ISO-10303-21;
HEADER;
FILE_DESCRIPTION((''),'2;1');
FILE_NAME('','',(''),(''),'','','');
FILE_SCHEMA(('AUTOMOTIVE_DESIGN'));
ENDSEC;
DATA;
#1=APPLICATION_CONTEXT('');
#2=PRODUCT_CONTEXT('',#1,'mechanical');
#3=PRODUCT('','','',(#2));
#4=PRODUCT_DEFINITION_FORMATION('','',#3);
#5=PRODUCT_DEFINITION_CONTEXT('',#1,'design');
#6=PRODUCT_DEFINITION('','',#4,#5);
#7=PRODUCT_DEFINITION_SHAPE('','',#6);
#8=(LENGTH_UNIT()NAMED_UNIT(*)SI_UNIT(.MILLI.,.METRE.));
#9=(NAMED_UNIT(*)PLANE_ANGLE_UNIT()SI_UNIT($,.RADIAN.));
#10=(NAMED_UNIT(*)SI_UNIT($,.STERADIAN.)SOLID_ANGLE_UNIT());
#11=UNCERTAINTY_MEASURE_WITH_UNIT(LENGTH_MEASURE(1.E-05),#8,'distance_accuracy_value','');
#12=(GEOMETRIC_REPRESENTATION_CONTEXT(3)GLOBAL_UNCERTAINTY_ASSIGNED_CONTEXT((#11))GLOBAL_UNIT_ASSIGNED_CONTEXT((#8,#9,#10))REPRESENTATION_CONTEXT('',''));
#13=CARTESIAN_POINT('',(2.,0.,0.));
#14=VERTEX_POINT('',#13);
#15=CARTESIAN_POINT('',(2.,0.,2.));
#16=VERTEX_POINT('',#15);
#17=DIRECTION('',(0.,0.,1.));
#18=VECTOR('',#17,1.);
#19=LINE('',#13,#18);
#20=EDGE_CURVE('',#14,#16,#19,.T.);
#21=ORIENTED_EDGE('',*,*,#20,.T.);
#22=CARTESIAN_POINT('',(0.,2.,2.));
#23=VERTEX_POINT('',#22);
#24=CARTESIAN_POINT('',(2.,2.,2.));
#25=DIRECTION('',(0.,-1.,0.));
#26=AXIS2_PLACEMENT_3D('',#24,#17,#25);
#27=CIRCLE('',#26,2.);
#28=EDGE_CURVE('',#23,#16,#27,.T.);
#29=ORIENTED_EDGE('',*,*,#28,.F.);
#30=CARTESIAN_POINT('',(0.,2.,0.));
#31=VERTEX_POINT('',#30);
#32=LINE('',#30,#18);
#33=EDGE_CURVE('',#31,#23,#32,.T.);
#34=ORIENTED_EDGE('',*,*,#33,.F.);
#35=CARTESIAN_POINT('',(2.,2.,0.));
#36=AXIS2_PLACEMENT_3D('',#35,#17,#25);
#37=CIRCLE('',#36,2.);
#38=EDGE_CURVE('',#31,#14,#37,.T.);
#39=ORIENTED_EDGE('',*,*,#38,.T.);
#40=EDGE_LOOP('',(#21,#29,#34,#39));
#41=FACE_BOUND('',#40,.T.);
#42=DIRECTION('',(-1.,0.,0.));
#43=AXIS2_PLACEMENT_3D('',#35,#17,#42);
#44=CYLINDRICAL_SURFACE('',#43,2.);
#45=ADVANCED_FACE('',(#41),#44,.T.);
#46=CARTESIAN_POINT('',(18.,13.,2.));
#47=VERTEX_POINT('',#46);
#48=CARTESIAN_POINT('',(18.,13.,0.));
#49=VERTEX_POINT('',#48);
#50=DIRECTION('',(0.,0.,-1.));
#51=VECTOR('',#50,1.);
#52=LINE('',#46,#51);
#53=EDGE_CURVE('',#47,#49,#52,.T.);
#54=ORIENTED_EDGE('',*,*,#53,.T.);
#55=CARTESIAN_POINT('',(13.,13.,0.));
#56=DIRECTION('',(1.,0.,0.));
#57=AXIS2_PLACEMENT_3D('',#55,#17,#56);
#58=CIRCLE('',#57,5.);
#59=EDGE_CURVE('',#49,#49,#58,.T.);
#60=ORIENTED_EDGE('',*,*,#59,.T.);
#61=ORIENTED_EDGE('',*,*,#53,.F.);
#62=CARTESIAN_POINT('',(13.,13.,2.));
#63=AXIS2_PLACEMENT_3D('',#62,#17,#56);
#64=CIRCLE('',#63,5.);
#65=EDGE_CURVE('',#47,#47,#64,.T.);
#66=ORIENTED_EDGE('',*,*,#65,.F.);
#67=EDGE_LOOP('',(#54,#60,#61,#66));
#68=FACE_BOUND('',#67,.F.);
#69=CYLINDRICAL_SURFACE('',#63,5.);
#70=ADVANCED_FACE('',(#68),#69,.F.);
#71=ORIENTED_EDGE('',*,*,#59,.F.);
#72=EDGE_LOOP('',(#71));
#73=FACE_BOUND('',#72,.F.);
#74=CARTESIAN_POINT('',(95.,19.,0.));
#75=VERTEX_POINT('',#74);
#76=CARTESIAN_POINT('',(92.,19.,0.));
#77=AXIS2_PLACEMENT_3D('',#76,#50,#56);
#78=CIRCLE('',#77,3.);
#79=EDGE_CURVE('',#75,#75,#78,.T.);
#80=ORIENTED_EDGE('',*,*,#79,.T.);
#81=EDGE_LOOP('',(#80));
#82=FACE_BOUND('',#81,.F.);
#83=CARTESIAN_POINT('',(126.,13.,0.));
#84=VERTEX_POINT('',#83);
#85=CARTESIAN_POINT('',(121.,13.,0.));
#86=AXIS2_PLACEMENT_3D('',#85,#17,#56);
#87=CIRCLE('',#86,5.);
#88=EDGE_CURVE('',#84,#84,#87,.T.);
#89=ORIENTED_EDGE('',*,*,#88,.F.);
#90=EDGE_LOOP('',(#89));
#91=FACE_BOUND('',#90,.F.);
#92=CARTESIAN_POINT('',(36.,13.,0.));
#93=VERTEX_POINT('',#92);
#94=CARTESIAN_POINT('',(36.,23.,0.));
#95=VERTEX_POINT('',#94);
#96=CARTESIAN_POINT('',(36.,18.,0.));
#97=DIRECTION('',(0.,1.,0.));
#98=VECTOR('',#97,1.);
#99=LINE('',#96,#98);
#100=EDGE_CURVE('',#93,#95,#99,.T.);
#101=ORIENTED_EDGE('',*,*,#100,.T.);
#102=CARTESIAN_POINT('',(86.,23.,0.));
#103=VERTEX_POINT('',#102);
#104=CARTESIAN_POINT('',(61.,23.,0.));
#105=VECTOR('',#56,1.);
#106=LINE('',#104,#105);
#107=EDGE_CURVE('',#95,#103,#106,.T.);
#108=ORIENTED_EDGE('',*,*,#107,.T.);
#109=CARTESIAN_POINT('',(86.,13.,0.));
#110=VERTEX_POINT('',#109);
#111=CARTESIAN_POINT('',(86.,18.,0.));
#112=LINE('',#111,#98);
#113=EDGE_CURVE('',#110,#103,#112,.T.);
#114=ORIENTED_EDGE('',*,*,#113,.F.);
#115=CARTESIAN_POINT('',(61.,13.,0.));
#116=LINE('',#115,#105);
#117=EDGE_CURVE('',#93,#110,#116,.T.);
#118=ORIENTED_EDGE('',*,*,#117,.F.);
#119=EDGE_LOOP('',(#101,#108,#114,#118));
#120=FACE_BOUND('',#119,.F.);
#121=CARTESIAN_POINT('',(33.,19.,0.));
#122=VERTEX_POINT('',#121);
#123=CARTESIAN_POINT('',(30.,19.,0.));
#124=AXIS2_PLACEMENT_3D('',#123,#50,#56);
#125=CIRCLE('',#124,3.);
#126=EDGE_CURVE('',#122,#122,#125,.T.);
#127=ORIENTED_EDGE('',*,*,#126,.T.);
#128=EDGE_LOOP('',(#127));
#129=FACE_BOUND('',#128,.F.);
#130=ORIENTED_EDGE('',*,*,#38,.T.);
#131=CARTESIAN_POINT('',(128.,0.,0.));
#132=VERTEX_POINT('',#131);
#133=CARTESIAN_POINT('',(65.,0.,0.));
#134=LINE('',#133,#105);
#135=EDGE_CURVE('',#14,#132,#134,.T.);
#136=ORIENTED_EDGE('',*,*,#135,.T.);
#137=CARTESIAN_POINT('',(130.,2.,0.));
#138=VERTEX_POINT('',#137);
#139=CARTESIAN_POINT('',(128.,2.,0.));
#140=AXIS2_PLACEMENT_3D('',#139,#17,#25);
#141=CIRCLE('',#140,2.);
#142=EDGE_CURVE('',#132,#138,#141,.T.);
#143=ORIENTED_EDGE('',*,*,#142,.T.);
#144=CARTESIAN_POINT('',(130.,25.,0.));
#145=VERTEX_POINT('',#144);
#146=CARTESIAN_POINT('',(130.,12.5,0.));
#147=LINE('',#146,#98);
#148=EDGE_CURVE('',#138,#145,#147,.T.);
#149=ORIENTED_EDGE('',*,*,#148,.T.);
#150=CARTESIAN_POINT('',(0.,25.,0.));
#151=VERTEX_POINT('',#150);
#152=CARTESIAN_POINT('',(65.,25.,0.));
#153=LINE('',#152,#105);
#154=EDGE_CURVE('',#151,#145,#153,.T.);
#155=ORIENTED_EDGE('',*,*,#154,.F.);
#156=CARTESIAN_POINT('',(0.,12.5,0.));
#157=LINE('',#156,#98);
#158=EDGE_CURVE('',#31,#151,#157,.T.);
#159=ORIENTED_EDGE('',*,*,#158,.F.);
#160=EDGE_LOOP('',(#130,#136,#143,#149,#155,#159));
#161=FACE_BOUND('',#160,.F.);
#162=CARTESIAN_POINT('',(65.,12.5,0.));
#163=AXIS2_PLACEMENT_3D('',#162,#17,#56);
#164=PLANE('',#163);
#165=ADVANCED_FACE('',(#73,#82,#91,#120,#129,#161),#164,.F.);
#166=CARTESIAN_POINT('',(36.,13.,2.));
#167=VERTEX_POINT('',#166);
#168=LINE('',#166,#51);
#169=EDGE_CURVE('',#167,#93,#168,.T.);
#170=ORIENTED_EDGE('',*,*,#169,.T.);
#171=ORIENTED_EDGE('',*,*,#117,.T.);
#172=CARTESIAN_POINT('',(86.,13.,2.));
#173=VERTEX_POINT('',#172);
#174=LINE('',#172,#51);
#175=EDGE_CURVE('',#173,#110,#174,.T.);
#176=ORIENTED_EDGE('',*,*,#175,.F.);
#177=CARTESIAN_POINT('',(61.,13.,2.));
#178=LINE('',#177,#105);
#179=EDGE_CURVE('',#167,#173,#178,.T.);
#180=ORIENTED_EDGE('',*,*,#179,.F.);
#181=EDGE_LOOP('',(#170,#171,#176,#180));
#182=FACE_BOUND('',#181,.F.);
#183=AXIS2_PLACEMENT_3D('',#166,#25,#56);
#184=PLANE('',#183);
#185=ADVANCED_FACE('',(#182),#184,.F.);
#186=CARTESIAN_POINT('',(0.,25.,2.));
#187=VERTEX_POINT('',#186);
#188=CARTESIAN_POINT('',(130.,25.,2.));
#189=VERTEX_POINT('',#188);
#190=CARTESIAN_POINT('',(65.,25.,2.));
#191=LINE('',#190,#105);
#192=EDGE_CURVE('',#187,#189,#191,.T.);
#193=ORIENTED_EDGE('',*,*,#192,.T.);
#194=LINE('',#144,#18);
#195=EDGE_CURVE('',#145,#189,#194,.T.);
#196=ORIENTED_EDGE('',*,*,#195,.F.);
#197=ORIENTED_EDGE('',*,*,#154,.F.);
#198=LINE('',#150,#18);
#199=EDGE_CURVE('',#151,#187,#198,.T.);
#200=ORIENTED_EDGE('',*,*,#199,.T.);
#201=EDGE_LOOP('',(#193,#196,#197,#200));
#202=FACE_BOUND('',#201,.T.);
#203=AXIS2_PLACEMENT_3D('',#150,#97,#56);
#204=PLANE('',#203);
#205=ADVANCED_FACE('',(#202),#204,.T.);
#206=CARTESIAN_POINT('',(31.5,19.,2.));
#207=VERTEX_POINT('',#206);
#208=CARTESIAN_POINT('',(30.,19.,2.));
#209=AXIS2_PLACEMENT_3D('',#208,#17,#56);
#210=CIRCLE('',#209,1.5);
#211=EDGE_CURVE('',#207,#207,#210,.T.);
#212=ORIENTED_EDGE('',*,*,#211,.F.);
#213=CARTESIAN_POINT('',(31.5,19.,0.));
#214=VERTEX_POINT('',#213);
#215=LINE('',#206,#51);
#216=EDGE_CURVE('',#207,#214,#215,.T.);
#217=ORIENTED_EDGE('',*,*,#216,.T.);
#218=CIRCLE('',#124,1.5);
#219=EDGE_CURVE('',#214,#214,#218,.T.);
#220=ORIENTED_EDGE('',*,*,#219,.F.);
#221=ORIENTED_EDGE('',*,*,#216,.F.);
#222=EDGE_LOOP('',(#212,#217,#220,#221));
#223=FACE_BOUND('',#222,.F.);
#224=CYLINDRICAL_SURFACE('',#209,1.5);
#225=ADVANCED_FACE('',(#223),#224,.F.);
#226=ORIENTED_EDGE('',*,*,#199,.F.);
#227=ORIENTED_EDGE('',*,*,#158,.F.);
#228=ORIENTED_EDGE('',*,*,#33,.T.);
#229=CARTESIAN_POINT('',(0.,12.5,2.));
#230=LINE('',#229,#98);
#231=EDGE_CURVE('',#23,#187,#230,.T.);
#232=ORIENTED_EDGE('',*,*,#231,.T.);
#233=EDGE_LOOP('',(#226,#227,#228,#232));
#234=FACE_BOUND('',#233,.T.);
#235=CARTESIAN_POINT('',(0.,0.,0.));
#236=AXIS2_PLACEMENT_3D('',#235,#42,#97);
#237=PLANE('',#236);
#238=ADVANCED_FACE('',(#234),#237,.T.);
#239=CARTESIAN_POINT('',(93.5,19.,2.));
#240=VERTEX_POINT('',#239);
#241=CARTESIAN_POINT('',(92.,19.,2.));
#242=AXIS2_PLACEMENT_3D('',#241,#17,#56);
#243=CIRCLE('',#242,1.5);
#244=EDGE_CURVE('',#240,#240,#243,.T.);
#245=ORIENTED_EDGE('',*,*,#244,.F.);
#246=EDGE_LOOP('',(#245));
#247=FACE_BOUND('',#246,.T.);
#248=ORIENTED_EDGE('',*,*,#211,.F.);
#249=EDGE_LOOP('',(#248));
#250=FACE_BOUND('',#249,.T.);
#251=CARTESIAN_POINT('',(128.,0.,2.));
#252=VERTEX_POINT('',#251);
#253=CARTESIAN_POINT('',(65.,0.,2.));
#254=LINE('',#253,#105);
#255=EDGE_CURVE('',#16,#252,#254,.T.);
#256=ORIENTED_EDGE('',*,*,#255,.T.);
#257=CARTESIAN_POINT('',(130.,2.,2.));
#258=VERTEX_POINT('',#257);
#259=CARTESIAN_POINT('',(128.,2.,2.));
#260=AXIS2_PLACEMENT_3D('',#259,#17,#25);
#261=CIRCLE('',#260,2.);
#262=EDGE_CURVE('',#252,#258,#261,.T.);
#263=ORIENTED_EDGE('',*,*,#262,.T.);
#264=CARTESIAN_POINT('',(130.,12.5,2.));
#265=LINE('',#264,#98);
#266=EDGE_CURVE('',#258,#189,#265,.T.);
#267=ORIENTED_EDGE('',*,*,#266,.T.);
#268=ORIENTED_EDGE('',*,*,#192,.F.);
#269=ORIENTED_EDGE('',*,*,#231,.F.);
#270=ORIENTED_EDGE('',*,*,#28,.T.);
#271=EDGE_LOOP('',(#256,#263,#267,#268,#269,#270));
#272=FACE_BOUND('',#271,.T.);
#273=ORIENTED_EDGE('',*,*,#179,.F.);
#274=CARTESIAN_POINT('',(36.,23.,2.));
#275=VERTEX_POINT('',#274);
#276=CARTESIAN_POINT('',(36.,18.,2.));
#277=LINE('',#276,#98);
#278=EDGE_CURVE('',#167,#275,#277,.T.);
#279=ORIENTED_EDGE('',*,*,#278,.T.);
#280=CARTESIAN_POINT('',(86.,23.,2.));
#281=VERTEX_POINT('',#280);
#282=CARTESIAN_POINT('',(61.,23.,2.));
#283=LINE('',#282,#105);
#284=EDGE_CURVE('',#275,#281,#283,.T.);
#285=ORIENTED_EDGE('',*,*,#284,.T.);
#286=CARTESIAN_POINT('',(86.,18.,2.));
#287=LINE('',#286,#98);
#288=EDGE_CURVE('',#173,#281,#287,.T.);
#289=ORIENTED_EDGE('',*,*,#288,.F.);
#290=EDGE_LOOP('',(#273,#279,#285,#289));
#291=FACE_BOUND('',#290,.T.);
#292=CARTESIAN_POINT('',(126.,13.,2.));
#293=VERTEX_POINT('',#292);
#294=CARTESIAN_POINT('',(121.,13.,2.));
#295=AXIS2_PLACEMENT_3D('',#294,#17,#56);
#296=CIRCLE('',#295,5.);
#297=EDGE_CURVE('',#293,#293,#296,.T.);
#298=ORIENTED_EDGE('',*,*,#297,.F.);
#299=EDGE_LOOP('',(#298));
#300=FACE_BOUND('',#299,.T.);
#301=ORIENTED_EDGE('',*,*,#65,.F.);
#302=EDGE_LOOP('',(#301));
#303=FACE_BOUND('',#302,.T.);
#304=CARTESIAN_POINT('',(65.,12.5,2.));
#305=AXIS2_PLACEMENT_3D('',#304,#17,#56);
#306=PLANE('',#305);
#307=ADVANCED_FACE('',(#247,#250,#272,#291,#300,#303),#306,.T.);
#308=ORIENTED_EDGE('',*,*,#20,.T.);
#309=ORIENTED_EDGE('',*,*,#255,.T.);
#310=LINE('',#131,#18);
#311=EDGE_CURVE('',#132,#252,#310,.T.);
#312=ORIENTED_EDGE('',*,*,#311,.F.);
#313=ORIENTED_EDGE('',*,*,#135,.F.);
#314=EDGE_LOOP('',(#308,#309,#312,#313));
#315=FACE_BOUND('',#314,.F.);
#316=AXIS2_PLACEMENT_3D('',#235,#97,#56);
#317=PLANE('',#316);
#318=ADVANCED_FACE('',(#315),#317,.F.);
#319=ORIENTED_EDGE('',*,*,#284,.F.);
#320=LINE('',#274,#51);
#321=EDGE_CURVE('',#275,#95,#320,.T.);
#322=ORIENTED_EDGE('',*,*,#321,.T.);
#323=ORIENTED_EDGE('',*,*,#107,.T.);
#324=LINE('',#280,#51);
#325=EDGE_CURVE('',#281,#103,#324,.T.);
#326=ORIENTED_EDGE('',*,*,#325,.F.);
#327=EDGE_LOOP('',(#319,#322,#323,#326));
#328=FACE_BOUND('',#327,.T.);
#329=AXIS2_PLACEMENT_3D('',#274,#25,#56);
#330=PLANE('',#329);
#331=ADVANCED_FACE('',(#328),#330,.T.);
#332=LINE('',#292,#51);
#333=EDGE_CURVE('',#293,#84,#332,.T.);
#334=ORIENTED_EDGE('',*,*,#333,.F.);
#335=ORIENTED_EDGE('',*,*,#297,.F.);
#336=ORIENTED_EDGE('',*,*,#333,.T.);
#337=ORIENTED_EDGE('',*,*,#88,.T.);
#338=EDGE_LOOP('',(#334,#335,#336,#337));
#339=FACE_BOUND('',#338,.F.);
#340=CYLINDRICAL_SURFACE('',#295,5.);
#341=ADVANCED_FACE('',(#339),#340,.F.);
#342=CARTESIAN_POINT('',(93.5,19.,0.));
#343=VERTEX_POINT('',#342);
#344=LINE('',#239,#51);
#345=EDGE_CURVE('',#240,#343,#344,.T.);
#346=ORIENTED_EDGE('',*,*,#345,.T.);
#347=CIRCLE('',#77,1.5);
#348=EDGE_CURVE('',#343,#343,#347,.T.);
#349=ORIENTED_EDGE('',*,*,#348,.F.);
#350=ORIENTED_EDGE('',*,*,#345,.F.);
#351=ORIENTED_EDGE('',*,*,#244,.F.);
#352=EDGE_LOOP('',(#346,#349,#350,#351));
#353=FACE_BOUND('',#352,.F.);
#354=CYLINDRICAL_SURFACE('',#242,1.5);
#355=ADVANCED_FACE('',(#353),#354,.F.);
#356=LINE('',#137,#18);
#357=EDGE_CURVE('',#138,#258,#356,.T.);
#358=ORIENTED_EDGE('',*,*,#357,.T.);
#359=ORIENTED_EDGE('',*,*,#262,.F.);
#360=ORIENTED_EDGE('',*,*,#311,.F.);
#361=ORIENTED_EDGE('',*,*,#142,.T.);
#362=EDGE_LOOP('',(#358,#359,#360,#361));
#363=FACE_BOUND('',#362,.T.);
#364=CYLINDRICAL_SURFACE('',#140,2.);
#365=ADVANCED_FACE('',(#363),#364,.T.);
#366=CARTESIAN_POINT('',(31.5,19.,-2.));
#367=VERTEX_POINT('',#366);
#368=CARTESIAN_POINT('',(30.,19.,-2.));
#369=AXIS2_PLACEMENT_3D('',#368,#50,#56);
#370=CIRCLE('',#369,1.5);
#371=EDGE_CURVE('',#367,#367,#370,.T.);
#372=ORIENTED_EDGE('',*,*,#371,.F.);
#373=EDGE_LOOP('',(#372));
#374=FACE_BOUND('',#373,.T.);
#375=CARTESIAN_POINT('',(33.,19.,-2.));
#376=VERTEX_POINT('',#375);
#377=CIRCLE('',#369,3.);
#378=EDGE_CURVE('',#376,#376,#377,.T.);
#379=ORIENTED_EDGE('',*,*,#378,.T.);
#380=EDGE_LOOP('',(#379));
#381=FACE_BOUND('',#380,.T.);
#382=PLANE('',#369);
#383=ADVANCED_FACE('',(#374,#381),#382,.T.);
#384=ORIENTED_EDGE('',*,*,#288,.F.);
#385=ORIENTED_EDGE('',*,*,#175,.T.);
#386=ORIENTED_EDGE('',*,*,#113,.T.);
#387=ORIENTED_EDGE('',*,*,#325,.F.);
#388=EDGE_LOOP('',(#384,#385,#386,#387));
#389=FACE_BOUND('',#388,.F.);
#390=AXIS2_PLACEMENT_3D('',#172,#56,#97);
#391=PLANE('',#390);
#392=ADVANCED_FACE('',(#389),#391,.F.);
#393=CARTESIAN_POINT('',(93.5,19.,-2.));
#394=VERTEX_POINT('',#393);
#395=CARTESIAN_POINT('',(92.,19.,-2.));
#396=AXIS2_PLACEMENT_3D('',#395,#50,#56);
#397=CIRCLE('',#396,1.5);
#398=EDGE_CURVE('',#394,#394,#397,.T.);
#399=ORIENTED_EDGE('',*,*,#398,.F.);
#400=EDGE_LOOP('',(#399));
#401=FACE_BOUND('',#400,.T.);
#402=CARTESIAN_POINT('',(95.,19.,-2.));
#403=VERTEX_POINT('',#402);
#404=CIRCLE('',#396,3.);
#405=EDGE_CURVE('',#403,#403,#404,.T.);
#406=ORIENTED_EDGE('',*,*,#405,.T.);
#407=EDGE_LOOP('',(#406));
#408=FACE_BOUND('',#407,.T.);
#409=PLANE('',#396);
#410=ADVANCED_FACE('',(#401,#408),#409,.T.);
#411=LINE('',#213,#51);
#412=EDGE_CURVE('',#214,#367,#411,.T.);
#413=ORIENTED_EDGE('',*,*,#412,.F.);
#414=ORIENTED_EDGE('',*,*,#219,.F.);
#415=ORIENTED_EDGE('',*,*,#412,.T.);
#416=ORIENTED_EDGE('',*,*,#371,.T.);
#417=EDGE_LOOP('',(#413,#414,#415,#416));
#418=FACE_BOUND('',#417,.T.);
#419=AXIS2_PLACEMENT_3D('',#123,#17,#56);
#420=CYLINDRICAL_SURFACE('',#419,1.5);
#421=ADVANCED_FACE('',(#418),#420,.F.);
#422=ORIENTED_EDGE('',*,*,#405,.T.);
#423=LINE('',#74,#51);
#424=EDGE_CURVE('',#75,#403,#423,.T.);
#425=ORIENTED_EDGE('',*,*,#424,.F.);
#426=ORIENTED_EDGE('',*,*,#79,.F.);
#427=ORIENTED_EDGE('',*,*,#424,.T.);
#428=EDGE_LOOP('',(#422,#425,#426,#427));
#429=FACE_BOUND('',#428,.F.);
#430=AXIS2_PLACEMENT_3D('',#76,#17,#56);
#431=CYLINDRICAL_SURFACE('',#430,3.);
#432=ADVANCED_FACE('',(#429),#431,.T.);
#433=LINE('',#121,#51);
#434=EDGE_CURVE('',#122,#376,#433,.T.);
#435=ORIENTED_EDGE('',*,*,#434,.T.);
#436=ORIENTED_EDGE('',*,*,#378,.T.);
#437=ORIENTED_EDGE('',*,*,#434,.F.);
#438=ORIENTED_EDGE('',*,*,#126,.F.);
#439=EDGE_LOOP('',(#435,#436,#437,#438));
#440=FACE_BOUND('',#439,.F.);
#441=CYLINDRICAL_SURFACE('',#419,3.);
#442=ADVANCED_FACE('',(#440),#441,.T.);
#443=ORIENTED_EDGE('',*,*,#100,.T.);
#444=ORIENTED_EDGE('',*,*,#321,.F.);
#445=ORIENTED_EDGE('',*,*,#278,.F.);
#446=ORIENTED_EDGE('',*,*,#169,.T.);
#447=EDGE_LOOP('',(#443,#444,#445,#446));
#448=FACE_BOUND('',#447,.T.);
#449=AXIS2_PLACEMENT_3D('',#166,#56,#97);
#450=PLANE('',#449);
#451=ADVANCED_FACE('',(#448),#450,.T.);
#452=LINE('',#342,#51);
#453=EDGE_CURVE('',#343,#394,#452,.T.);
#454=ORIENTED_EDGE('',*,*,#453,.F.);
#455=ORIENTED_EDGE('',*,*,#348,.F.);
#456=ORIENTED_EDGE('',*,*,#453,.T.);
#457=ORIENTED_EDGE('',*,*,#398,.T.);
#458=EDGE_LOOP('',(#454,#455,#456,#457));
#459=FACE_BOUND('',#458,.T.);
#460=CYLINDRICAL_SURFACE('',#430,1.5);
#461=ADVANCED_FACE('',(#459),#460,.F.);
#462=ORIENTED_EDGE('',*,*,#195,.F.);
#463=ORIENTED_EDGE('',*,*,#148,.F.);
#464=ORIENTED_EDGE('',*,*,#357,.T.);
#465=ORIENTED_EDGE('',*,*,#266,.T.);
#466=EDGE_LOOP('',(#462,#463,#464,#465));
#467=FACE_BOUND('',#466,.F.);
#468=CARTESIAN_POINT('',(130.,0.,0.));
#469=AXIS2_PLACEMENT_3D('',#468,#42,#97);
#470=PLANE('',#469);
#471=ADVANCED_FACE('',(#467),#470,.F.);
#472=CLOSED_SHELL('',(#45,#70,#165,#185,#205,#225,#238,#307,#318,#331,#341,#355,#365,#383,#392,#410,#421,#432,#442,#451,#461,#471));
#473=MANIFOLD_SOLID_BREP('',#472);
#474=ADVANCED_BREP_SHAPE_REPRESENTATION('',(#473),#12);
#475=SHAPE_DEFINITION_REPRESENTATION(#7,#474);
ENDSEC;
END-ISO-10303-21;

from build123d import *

# Parameters (mm, degrees)
SKETCH_W        = 130
SKETCH_H        = 25
PAD_DEPTH       = 2
SKETCH001_R     = 5
SKETCH001_W     = 50
SKETCH001_H     = 10
POCKET_DEPTH    = 2
SKETCH002_R     = 3
SKETCH002_R_2   = 1.5
PAD001_DEPTH    = 2
SKETCH003_R     = 1.5
POCKET001_DEPTH = 2
FILLET_R        = 2
FILLET001_R     = 2


with BuildPart() as part:
    # Sketch → Pad (new body)
    with BuildSketch(Plane.XY):
        with Locations((65, 12.5)):
            Rectangle(SKETCH_W, SKETCH_H)
    extrude(amount=PAD_DEPTH)

    # Sketch001 → Pocket (cut)
    with BuildSketch(Plane.XY.offset(2)):
        with Locations((13, 13)):
            Circle(SKETCH001_R)
        with Locations((121, 13)):
            Circle(SKETCH001_R)
        with Locations((61, 18)):
            Rectangle(SKETCH001_W, SKETCH001_H)
    extrude(amount=-POCKET_DEPTH, mode=Mode.SUBTRACT)

    # Sketch002 → Pad001 (new body)
    with BuildSketch(Plane(origin=(0, 0, 0), x_dir=(1, 0, 0), z_dir=(0, 0, -1))):
        with Locations((30, -19)):
            Circle(SKETCH002_R)
        with Locations((30, -19)):
            Circle(SKETCH002_R_2, mode=Mode.SUBTRACT)
        with Locations((92, -19)):
            Circle(SKETCH002_R)
        with Locations((92, -19)):
            Circle(SKETCH002_R_2, mode=Mode.SUBTRACT)
    extrude(amount=PAD001_DEPTH)

    # Sketch003 → Pocket001 (cut)
    with BuildSketch(Plane.XY.offset(2)):
        with Locations((30, 19)):
            Circle(SKETCH003_R)
        with Locations((92, 19)):
            Circle(SKETCH003_R)
    extrude(amount=-POCKET001_DEPTH, mode=Mode.SUBTRACT)

    # Fillet
    fillet_edges = [part.edges().sort_by_distance(p)[0] for p in [
        (0, 0, 1),
    ]]
    fillet(fillet_edges, radius=FILLET_R)

    # Fillet001
    fillet001_edges = [part.edges().sort_by_distance(p)[0] for p in [
        (130, 0, 1),
    ]]
    fillet(fillet001_edges, radius=FILLET001_R)


solid = part.part
